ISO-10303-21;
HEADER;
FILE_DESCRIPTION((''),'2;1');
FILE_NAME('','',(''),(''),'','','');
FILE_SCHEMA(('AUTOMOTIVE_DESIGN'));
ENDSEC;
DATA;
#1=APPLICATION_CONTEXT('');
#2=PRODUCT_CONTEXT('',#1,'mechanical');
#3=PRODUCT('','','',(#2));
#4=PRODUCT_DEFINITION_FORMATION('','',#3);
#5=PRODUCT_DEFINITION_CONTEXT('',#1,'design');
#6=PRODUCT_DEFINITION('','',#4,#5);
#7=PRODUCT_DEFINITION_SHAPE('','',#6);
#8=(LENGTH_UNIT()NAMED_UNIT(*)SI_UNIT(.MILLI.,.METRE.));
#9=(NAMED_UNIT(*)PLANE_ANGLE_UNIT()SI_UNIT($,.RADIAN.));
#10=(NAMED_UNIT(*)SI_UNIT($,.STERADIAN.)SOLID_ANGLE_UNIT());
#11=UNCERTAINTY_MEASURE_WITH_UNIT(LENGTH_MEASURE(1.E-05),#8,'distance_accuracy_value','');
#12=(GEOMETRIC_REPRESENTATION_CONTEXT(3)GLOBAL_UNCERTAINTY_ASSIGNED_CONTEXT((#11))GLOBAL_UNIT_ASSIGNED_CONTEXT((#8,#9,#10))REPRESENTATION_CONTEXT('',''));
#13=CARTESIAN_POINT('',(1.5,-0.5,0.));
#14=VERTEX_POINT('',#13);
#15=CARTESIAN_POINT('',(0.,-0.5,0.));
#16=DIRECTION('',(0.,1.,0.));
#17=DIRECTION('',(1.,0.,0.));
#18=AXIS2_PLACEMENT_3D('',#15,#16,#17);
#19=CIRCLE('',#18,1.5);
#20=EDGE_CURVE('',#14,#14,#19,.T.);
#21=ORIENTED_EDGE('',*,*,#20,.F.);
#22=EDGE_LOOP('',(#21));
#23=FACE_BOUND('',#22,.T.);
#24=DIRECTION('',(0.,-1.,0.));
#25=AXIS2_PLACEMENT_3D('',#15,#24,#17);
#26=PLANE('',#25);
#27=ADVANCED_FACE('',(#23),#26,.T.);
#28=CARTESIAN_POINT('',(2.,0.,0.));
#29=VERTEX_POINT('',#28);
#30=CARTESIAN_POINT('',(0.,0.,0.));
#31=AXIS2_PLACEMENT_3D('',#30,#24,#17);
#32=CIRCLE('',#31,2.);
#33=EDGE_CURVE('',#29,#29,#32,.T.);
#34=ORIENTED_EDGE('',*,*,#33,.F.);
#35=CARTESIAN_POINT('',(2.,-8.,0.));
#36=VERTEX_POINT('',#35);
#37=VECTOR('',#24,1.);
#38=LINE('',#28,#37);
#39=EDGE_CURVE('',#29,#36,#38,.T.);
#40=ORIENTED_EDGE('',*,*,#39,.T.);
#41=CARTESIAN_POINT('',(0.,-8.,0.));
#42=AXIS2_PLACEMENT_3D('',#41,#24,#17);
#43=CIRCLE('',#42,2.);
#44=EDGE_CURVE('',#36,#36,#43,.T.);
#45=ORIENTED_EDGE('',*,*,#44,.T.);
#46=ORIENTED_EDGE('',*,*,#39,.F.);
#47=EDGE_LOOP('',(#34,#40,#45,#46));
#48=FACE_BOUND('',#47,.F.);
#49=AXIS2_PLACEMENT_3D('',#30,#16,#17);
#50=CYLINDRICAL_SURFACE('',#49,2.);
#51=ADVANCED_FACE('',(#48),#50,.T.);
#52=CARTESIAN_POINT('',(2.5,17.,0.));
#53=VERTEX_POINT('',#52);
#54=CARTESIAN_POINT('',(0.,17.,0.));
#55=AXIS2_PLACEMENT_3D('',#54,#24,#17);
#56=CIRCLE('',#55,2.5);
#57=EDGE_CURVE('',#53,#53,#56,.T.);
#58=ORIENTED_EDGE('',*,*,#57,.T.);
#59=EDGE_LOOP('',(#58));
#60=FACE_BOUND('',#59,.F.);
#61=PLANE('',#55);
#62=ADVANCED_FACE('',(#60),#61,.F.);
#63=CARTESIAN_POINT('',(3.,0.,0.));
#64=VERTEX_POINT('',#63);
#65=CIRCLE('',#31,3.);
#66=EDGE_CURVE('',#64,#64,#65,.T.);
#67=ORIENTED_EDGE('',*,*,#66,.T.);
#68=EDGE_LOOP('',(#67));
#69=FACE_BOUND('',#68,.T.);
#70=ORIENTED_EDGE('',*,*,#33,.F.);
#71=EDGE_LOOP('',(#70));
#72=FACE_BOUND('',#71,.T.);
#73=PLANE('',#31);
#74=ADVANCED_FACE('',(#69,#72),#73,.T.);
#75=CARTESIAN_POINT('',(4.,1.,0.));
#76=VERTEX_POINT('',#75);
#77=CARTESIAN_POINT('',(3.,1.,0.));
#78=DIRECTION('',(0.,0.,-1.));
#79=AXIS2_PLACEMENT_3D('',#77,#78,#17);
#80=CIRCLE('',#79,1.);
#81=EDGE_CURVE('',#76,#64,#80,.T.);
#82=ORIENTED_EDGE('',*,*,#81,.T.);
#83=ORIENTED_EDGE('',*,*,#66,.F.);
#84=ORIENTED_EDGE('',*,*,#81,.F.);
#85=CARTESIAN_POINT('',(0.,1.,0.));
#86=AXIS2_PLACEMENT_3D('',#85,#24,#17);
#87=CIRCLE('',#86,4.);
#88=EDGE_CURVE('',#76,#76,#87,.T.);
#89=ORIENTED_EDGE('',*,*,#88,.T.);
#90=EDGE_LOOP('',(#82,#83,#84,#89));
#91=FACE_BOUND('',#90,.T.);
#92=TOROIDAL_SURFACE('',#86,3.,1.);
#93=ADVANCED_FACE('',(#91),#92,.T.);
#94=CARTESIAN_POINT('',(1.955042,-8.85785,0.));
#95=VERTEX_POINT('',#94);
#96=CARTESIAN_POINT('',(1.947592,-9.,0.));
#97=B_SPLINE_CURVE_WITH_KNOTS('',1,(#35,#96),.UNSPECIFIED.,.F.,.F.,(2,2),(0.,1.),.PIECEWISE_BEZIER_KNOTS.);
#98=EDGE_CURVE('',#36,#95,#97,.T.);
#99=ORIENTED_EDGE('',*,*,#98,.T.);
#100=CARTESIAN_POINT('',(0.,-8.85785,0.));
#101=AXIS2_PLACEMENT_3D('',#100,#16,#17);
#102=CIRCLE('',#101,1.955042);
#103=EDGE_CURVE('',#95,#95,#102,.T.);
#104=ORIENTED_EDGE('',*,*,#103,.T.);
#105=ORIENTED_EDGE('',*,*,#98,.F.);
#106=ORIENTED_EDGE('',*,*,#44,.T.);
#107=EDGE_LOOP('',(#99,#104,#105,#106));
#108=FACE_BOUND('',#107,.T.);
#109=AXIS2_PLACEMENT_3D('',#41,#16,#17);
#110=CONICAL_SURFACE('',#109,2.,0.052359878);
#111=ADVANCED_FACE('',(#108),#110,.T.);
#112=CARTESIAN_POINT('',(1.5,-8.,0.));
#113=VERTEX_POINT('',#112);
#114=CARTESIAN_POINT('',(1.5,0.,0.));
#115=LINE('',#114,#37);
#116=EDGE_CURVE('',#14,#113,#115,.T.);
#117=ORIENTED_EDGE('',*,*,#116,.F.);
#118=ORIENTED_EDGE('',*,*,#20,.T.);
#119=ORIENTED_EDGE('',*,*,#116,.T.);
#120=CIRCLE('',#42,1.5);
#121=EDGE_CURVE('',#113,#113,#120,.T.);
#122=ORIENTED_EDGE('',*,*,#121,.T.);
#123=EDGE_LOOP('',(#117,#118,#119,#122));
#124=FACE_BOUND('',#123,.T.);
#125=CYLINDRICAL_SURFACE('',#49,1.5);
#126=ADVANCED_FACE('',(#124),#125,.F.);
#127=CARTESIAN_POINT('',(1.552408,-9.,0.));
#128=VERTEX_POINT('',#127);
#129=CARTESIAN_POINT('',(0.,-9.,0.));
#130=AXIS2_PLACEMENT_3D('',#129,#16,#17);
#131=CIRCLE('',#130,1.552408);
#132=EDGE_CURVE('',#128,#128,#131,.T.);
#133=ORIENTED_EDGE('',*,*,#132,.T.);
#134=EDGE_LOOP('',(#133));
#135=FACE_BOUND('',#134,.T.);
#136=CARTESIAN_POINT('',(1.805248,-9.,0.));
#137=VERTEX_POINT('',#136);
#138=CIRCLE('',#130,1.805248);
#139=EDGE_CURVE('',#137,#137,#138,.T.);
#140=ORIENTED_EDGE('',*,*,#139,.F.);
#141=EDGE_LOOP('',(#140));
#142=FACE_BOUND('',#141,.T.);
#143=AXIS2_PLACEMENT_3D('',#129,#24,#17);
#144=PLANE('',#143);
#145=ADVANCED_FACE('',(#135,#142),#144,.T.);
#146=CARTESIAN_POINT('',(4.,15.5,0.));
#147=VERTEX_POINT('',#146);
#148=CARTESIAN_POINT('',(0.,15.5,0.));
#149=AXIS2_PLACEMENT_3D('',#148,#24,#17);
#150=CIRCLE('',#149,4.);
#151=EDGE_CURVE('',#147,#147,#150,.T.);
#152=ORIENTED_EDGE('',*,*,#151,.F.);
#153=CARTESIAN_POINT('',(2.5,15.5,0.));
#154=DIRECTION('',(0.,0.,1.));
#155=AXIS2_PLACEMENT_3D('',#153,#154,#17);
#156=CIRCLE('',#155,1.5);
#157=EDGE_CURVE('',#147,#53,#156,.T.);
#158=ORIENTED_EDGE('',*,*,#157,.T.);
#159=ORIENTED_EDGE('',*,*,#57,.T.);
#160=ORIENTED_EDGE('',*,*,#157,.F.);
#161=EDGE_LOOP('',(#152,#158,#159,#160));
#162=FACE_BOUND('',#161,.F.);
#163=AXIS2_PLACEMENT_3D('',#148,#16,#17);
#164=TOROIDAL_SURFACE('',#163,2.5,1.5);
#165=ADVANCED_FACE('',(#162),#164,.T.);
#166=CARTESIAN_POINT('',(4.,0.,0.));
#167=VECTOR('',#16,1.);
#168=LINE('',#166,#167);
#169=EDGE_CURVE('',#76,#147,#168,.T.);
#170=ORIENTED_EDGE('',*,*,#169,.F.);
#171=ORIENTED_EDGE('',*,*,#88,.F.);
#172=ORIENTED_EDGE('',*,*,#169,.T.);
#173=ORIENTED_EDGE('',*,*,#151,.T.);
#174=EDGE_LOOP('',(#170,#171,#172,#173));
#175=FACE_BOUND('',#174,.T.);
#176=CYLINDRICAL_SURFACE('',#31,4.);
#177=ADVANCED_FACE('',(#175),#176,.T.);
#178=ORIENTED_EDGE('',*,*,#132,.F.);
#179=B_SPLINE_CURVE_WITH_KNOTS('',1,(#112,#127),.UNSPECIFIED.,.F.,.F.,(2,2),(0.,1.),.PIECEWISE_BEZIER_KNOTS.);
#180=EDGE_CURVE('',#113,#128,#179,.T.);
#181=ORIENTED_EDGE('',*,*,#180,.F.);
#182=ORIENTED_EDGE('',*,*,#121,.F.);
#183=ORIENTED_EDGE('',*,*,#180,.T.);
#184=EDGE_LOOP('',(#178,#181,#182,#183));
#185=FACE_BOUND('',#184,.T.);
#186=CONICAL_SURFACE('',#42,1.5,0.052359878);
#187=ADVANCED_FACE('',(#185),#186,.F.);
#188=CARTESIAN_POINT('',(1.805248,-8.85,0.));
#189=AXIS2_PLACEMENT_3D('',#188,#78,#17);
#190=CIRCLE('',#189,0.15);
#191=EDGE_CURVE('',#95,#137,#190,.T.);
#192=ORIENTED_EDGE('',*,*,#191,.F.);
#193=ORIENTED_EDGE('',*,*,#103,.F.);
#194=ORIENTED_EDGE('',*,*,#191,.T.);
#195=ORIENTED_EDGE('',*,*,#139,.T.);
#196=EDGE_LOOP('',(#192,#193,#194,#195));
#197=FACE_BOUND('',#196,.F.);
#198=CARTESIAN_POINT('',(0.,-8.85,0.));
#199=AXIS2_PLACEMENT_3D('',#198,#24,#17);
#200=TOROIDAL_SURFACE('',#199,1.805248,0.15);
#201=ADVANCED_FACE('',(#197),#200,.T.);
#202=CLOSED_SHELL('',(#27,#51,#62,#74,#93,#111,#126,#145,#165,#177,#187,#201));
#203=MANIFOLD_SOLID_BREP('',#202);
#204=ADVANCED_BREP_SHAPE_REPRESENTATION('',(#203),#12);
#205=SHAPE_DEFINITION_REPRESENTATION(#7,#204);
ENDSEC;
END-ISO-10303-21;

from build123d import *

# Parameters (mm, degrees)
F0_R        = 2
F1_DEPTH    = 8
F2_T        = -0.5
F1_FACE_R   = 2
F1_FACE_R_2 = 1.5
F3_DEPTH    = 1
F3_TAPER    = 3
F4_R        = 0.15
F5_R        = 4
F6_DEPTH    = 17
F7_R        = 1
F8_R        = 1.5


with BuildPart() as f1:
    # F0 (on Front) → F1 (new body)
    with BuildSketch(Plane.XZ):
        Circle(F0_R)
    extrude(amount=F1_DEPTH)

    # F2
    f2_openings = [f1.faces().sort_by_distance(p)[0] for p in [
        (0, -8, 0),
    ]]
    offset(amount=F2_T, openings=f2_openings)

    # F1_face (on face) → F3 (join)
    with BuildSketch(Plane.XZ.offset(8)):
        Circle(F1_FACE_R)
        Circle(F1_FACE_R_2, mode=Mode.SUBTRACT)
    extrude(amount=F3_DEPTH, taper=F3_TAPER)

    # F4
    f4_edges = [f1.edges().sort_by_distance(p)[0] for p in [
        (-1.947592, -9, 0),
    ]]
    fillet(f4_edges, radius=F4_R)

    # F5 (on Front) → F6 (join)
    with BuildSketch(Plane.XZ):
        Circle(F5_R)
    extrude(amount=-F6_DEPTH)

    # F7
    f7_edges = [f1.edges().sort_by_distance(p)[0] for p in [
        (-4, 0, 0),
    ]]
    fillet(f7_edges, radius=F7_R)

    # F8
    f8_edges = [f1.edges().sort_by_distance(p)[0] for p in [
        (-4, 17, 0),
    ]]
    fillet(f8_edges, radius=F8_R)


solid = f1.part
